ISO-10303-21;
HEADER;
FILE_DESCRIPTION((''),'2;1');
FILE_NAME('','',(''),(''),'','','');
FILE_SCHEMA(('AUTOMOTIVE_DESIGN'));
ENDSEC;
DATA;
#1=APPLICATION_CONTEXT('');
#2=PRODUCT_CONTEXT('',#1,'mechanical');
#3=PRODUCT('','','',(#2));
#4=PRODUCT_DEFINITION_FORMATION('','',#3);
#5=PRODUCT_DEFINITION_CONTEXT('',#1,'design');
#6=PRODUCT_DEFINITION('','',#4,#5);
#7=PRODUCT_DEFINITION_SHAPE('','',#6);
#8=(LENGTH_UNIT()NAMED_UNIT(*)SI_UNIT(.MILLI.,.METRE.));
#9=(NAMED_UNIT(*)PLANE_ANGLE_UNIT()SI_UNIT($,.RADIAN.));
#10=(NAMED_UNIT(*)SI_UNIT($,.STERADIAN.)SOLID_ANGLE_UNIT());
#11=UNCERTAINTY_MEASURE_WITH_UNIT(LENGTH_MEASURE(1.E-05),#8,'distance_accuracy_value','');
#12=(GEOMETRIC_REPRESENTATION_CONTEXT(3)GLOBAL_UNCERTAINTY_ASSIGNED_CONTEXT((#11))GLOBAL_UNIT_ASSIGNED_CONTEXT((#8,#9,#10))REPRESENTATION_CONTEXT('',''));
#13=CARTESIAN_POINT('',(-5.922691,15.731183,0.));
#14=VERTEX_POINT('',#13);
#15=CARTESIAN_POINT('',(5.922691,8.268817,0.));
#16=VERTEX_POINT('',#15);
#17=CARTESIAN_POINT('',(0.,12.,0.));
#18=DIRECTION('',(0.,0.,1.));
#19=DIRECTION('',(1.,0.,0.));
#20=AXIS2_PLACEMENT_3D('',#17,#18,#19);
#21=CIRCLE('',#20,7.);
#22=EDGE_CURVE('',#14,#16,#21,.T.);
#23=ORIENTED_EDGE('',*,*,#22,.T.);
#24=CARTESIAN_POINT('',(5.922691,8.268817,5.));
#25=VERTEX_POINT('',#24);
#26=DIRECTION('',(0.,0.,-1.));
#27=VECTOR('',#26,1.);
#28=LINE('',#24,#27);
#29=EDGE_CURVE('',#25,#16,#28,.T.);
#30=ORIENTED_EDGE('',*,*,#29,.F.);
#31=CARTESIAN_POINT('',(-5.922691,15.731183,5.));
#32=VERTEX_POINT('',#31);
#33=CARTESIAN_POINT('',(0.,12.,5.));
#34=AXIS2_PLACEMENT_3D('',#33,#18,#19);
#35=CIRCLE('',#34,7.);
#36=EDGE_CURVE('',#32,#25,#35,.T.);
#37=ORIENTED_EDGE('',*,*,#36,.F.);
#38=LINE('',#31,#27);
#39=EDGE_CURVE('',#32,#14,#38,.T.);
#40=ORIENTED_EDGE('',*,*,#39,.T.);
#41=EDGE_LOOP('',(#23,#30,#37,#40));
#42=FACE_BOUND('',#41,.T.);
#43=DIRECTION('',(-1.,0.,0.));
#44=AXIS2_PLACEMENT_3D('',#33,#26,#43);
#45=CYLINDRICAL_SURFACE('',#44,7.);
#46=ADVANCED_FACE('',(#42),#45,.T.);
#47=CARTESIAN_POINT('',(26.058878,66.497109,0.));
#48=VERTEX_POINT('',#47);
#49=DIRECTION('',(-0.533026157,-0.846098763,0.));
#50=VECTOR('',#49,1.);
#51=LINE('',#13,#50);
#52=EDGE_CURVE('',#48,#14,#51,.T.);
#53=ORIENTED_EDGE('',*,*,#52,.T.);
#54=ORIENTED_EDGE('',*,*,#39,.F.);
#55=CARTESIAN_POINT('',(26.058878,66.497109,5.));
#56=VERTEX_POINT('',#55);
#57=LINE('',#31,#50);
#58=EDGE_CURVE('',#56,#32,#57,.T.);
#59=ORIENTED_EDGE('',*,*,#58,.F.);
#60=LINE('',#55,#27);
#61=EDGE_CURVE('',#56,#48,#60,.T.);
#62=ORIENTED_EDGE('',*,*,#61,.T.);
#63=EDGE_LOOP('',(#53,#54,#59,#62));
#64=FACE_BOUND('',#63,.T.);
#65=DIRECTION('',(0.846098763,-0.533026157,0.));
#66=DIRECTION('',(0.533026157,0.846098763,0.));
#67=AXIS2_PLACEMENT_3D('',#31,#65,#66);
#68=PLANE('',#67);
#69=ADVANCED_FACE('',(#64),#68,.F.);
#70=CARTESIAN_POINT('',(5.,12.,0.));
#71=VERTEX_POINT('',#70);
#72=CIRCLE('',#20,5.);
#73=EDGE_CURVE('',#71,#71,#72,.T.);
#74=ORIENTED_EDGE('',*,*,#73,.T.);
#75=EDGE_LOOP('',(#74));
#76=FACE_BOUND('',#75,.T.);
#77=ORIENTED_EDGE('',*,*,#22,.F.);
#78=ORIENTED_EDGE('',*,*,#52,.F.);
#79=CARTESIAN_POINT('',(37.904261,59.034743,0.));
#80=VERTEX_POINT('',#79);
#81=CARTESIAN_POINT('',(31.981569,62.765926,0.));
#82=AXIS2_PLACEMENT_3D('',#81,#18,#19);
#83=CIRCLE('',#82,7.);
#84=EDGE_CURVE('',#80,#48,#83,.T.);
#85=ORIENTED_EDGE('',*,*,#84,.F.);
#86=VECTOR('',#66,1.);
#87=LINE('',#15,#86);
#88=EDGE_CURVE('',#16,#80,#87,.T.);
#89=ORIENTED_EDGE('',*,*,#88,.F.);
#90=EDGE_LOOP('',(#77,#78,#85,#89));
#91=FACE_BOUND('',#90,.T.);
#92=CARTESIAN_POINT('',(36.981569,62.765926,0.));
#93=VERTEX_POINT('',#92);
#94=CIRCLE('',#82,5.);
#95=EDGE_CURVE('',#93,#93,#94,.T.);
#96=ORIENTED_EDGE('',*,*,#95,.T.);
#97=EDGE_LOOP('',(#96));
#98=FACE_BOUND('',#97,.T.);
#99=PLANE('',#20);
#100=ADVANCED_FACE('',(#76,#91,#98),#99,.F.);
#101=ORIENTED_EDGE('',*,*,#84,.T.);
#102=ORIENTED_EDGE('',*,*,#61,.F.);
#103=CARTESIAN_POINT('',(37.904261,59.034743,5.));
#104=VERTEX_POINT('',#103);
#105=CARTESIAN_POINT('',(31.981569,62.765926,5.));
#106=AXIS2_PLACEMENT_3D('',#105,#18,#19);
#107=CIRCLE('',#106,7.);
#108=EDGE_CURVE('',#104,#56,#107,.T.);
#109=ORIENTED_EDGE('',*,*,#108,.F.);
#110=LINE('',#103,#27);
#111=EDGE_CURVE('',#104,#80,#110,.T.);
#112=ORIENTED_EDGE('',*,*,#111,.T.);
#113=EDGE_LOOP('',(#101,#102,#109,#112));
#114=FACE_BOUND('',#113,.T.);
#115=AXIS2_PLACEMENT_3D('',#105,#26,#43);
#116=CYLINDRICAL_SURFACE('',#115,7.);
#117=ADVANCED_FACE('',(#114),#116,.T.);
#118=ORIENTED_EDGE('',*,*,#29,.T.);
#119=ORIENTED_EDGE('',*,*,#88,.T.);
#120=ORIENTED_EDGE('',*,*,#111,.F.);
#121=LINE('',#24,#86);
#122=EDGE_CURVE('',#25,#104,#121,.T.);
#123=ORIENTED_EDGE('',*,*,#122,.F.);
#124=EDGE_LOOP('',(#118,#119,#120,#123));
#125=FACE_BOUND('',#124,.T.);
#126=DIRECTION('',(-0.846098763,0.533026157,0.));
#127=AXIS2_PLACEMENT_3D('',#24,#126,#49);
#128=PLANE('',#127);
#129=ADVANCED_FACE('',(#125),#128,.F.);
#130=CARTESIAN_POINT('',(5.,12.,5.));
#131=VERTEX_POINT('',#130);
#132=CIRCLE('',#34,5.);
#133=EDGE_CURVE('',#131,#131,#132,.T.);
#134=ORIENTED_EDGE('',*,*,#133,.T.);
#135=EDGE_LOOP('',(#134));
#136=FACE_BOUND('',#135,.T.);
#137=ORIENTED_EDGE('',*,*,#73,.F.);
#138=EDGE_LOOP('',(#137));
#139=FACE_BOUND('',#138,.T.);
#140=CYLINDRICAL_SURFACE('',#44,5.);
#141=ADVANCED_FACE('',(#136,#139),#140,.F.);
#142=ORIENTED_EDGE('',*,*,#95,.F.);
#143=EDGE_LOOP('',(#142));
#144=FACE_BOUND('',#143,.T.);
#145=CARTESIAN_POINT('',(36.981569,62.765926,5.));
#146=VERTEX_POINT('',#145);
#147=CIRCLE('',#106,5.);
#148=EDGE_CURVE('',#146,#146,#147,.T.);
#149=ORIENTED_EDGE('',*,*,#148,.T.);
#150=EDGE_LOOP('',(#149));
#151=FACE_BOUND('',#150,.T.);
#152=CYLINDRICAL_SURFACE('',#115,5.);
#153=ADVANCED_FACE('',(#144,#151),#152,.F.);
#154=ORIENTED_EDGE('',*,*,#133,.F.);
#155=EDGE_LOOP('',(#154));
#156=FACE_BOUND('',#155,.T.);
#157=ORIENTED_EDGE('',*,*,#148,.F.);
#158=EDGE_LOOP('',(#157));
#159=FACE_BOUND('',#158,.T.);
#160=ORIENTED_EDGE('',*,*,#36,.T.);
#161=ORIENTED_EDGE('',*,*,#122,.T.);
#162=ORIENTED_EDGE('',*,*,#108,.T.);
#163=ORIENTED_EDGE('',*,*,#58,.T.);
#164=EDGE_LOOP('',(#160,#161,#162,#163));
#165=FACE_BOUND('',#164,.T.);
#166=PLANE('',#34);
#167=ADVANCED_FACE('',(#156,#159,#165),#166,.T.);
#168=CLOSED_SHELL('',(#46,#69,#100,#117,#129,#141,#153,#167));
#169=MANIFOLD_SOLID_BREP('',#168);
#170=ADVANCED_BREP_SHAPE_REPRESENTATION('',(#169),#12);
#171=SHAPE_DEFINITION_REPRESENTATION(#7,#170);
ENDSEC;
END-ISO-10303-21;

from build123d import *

# Parameters (mm, degrees)
SKETCH1_R           = 5
BOSS_EXTRUDE1_DEPTH = 5


with BuildPart() as part:
    # Sketch1 → Boss-Extrude1 (new body)
    with BuildSketch(Plane.XY):
        with BuildLine():
            Line((-5.92269134, 15.731183096), (26.058878055, 66.497108864))
            ThreePointArc((26.058878055, 66.497108864), (35.712752491, 68.688617107), (37.904260734, 59.034742672))
            Line((37.904260734, 59.034742672), (5.92269134, 8.268816904))
            ThreePointArc((5.92269134, 8.268816904), (-3.731183096, 6.07730866), (-5.92269134, 15.731183096))
        make_face()
        with Locations((0, 12)):
            Circle(SKETCH1_R, mode=Mode.SUBTRACT)
        with Locations((31.981569395, 62.765925768)):
            Circle(SKETCH1_R, mode=Mode.SUBTRACT)
    extrude(amount=BOSS_EXTRUDE1_DEPTH)


solid = part.part
